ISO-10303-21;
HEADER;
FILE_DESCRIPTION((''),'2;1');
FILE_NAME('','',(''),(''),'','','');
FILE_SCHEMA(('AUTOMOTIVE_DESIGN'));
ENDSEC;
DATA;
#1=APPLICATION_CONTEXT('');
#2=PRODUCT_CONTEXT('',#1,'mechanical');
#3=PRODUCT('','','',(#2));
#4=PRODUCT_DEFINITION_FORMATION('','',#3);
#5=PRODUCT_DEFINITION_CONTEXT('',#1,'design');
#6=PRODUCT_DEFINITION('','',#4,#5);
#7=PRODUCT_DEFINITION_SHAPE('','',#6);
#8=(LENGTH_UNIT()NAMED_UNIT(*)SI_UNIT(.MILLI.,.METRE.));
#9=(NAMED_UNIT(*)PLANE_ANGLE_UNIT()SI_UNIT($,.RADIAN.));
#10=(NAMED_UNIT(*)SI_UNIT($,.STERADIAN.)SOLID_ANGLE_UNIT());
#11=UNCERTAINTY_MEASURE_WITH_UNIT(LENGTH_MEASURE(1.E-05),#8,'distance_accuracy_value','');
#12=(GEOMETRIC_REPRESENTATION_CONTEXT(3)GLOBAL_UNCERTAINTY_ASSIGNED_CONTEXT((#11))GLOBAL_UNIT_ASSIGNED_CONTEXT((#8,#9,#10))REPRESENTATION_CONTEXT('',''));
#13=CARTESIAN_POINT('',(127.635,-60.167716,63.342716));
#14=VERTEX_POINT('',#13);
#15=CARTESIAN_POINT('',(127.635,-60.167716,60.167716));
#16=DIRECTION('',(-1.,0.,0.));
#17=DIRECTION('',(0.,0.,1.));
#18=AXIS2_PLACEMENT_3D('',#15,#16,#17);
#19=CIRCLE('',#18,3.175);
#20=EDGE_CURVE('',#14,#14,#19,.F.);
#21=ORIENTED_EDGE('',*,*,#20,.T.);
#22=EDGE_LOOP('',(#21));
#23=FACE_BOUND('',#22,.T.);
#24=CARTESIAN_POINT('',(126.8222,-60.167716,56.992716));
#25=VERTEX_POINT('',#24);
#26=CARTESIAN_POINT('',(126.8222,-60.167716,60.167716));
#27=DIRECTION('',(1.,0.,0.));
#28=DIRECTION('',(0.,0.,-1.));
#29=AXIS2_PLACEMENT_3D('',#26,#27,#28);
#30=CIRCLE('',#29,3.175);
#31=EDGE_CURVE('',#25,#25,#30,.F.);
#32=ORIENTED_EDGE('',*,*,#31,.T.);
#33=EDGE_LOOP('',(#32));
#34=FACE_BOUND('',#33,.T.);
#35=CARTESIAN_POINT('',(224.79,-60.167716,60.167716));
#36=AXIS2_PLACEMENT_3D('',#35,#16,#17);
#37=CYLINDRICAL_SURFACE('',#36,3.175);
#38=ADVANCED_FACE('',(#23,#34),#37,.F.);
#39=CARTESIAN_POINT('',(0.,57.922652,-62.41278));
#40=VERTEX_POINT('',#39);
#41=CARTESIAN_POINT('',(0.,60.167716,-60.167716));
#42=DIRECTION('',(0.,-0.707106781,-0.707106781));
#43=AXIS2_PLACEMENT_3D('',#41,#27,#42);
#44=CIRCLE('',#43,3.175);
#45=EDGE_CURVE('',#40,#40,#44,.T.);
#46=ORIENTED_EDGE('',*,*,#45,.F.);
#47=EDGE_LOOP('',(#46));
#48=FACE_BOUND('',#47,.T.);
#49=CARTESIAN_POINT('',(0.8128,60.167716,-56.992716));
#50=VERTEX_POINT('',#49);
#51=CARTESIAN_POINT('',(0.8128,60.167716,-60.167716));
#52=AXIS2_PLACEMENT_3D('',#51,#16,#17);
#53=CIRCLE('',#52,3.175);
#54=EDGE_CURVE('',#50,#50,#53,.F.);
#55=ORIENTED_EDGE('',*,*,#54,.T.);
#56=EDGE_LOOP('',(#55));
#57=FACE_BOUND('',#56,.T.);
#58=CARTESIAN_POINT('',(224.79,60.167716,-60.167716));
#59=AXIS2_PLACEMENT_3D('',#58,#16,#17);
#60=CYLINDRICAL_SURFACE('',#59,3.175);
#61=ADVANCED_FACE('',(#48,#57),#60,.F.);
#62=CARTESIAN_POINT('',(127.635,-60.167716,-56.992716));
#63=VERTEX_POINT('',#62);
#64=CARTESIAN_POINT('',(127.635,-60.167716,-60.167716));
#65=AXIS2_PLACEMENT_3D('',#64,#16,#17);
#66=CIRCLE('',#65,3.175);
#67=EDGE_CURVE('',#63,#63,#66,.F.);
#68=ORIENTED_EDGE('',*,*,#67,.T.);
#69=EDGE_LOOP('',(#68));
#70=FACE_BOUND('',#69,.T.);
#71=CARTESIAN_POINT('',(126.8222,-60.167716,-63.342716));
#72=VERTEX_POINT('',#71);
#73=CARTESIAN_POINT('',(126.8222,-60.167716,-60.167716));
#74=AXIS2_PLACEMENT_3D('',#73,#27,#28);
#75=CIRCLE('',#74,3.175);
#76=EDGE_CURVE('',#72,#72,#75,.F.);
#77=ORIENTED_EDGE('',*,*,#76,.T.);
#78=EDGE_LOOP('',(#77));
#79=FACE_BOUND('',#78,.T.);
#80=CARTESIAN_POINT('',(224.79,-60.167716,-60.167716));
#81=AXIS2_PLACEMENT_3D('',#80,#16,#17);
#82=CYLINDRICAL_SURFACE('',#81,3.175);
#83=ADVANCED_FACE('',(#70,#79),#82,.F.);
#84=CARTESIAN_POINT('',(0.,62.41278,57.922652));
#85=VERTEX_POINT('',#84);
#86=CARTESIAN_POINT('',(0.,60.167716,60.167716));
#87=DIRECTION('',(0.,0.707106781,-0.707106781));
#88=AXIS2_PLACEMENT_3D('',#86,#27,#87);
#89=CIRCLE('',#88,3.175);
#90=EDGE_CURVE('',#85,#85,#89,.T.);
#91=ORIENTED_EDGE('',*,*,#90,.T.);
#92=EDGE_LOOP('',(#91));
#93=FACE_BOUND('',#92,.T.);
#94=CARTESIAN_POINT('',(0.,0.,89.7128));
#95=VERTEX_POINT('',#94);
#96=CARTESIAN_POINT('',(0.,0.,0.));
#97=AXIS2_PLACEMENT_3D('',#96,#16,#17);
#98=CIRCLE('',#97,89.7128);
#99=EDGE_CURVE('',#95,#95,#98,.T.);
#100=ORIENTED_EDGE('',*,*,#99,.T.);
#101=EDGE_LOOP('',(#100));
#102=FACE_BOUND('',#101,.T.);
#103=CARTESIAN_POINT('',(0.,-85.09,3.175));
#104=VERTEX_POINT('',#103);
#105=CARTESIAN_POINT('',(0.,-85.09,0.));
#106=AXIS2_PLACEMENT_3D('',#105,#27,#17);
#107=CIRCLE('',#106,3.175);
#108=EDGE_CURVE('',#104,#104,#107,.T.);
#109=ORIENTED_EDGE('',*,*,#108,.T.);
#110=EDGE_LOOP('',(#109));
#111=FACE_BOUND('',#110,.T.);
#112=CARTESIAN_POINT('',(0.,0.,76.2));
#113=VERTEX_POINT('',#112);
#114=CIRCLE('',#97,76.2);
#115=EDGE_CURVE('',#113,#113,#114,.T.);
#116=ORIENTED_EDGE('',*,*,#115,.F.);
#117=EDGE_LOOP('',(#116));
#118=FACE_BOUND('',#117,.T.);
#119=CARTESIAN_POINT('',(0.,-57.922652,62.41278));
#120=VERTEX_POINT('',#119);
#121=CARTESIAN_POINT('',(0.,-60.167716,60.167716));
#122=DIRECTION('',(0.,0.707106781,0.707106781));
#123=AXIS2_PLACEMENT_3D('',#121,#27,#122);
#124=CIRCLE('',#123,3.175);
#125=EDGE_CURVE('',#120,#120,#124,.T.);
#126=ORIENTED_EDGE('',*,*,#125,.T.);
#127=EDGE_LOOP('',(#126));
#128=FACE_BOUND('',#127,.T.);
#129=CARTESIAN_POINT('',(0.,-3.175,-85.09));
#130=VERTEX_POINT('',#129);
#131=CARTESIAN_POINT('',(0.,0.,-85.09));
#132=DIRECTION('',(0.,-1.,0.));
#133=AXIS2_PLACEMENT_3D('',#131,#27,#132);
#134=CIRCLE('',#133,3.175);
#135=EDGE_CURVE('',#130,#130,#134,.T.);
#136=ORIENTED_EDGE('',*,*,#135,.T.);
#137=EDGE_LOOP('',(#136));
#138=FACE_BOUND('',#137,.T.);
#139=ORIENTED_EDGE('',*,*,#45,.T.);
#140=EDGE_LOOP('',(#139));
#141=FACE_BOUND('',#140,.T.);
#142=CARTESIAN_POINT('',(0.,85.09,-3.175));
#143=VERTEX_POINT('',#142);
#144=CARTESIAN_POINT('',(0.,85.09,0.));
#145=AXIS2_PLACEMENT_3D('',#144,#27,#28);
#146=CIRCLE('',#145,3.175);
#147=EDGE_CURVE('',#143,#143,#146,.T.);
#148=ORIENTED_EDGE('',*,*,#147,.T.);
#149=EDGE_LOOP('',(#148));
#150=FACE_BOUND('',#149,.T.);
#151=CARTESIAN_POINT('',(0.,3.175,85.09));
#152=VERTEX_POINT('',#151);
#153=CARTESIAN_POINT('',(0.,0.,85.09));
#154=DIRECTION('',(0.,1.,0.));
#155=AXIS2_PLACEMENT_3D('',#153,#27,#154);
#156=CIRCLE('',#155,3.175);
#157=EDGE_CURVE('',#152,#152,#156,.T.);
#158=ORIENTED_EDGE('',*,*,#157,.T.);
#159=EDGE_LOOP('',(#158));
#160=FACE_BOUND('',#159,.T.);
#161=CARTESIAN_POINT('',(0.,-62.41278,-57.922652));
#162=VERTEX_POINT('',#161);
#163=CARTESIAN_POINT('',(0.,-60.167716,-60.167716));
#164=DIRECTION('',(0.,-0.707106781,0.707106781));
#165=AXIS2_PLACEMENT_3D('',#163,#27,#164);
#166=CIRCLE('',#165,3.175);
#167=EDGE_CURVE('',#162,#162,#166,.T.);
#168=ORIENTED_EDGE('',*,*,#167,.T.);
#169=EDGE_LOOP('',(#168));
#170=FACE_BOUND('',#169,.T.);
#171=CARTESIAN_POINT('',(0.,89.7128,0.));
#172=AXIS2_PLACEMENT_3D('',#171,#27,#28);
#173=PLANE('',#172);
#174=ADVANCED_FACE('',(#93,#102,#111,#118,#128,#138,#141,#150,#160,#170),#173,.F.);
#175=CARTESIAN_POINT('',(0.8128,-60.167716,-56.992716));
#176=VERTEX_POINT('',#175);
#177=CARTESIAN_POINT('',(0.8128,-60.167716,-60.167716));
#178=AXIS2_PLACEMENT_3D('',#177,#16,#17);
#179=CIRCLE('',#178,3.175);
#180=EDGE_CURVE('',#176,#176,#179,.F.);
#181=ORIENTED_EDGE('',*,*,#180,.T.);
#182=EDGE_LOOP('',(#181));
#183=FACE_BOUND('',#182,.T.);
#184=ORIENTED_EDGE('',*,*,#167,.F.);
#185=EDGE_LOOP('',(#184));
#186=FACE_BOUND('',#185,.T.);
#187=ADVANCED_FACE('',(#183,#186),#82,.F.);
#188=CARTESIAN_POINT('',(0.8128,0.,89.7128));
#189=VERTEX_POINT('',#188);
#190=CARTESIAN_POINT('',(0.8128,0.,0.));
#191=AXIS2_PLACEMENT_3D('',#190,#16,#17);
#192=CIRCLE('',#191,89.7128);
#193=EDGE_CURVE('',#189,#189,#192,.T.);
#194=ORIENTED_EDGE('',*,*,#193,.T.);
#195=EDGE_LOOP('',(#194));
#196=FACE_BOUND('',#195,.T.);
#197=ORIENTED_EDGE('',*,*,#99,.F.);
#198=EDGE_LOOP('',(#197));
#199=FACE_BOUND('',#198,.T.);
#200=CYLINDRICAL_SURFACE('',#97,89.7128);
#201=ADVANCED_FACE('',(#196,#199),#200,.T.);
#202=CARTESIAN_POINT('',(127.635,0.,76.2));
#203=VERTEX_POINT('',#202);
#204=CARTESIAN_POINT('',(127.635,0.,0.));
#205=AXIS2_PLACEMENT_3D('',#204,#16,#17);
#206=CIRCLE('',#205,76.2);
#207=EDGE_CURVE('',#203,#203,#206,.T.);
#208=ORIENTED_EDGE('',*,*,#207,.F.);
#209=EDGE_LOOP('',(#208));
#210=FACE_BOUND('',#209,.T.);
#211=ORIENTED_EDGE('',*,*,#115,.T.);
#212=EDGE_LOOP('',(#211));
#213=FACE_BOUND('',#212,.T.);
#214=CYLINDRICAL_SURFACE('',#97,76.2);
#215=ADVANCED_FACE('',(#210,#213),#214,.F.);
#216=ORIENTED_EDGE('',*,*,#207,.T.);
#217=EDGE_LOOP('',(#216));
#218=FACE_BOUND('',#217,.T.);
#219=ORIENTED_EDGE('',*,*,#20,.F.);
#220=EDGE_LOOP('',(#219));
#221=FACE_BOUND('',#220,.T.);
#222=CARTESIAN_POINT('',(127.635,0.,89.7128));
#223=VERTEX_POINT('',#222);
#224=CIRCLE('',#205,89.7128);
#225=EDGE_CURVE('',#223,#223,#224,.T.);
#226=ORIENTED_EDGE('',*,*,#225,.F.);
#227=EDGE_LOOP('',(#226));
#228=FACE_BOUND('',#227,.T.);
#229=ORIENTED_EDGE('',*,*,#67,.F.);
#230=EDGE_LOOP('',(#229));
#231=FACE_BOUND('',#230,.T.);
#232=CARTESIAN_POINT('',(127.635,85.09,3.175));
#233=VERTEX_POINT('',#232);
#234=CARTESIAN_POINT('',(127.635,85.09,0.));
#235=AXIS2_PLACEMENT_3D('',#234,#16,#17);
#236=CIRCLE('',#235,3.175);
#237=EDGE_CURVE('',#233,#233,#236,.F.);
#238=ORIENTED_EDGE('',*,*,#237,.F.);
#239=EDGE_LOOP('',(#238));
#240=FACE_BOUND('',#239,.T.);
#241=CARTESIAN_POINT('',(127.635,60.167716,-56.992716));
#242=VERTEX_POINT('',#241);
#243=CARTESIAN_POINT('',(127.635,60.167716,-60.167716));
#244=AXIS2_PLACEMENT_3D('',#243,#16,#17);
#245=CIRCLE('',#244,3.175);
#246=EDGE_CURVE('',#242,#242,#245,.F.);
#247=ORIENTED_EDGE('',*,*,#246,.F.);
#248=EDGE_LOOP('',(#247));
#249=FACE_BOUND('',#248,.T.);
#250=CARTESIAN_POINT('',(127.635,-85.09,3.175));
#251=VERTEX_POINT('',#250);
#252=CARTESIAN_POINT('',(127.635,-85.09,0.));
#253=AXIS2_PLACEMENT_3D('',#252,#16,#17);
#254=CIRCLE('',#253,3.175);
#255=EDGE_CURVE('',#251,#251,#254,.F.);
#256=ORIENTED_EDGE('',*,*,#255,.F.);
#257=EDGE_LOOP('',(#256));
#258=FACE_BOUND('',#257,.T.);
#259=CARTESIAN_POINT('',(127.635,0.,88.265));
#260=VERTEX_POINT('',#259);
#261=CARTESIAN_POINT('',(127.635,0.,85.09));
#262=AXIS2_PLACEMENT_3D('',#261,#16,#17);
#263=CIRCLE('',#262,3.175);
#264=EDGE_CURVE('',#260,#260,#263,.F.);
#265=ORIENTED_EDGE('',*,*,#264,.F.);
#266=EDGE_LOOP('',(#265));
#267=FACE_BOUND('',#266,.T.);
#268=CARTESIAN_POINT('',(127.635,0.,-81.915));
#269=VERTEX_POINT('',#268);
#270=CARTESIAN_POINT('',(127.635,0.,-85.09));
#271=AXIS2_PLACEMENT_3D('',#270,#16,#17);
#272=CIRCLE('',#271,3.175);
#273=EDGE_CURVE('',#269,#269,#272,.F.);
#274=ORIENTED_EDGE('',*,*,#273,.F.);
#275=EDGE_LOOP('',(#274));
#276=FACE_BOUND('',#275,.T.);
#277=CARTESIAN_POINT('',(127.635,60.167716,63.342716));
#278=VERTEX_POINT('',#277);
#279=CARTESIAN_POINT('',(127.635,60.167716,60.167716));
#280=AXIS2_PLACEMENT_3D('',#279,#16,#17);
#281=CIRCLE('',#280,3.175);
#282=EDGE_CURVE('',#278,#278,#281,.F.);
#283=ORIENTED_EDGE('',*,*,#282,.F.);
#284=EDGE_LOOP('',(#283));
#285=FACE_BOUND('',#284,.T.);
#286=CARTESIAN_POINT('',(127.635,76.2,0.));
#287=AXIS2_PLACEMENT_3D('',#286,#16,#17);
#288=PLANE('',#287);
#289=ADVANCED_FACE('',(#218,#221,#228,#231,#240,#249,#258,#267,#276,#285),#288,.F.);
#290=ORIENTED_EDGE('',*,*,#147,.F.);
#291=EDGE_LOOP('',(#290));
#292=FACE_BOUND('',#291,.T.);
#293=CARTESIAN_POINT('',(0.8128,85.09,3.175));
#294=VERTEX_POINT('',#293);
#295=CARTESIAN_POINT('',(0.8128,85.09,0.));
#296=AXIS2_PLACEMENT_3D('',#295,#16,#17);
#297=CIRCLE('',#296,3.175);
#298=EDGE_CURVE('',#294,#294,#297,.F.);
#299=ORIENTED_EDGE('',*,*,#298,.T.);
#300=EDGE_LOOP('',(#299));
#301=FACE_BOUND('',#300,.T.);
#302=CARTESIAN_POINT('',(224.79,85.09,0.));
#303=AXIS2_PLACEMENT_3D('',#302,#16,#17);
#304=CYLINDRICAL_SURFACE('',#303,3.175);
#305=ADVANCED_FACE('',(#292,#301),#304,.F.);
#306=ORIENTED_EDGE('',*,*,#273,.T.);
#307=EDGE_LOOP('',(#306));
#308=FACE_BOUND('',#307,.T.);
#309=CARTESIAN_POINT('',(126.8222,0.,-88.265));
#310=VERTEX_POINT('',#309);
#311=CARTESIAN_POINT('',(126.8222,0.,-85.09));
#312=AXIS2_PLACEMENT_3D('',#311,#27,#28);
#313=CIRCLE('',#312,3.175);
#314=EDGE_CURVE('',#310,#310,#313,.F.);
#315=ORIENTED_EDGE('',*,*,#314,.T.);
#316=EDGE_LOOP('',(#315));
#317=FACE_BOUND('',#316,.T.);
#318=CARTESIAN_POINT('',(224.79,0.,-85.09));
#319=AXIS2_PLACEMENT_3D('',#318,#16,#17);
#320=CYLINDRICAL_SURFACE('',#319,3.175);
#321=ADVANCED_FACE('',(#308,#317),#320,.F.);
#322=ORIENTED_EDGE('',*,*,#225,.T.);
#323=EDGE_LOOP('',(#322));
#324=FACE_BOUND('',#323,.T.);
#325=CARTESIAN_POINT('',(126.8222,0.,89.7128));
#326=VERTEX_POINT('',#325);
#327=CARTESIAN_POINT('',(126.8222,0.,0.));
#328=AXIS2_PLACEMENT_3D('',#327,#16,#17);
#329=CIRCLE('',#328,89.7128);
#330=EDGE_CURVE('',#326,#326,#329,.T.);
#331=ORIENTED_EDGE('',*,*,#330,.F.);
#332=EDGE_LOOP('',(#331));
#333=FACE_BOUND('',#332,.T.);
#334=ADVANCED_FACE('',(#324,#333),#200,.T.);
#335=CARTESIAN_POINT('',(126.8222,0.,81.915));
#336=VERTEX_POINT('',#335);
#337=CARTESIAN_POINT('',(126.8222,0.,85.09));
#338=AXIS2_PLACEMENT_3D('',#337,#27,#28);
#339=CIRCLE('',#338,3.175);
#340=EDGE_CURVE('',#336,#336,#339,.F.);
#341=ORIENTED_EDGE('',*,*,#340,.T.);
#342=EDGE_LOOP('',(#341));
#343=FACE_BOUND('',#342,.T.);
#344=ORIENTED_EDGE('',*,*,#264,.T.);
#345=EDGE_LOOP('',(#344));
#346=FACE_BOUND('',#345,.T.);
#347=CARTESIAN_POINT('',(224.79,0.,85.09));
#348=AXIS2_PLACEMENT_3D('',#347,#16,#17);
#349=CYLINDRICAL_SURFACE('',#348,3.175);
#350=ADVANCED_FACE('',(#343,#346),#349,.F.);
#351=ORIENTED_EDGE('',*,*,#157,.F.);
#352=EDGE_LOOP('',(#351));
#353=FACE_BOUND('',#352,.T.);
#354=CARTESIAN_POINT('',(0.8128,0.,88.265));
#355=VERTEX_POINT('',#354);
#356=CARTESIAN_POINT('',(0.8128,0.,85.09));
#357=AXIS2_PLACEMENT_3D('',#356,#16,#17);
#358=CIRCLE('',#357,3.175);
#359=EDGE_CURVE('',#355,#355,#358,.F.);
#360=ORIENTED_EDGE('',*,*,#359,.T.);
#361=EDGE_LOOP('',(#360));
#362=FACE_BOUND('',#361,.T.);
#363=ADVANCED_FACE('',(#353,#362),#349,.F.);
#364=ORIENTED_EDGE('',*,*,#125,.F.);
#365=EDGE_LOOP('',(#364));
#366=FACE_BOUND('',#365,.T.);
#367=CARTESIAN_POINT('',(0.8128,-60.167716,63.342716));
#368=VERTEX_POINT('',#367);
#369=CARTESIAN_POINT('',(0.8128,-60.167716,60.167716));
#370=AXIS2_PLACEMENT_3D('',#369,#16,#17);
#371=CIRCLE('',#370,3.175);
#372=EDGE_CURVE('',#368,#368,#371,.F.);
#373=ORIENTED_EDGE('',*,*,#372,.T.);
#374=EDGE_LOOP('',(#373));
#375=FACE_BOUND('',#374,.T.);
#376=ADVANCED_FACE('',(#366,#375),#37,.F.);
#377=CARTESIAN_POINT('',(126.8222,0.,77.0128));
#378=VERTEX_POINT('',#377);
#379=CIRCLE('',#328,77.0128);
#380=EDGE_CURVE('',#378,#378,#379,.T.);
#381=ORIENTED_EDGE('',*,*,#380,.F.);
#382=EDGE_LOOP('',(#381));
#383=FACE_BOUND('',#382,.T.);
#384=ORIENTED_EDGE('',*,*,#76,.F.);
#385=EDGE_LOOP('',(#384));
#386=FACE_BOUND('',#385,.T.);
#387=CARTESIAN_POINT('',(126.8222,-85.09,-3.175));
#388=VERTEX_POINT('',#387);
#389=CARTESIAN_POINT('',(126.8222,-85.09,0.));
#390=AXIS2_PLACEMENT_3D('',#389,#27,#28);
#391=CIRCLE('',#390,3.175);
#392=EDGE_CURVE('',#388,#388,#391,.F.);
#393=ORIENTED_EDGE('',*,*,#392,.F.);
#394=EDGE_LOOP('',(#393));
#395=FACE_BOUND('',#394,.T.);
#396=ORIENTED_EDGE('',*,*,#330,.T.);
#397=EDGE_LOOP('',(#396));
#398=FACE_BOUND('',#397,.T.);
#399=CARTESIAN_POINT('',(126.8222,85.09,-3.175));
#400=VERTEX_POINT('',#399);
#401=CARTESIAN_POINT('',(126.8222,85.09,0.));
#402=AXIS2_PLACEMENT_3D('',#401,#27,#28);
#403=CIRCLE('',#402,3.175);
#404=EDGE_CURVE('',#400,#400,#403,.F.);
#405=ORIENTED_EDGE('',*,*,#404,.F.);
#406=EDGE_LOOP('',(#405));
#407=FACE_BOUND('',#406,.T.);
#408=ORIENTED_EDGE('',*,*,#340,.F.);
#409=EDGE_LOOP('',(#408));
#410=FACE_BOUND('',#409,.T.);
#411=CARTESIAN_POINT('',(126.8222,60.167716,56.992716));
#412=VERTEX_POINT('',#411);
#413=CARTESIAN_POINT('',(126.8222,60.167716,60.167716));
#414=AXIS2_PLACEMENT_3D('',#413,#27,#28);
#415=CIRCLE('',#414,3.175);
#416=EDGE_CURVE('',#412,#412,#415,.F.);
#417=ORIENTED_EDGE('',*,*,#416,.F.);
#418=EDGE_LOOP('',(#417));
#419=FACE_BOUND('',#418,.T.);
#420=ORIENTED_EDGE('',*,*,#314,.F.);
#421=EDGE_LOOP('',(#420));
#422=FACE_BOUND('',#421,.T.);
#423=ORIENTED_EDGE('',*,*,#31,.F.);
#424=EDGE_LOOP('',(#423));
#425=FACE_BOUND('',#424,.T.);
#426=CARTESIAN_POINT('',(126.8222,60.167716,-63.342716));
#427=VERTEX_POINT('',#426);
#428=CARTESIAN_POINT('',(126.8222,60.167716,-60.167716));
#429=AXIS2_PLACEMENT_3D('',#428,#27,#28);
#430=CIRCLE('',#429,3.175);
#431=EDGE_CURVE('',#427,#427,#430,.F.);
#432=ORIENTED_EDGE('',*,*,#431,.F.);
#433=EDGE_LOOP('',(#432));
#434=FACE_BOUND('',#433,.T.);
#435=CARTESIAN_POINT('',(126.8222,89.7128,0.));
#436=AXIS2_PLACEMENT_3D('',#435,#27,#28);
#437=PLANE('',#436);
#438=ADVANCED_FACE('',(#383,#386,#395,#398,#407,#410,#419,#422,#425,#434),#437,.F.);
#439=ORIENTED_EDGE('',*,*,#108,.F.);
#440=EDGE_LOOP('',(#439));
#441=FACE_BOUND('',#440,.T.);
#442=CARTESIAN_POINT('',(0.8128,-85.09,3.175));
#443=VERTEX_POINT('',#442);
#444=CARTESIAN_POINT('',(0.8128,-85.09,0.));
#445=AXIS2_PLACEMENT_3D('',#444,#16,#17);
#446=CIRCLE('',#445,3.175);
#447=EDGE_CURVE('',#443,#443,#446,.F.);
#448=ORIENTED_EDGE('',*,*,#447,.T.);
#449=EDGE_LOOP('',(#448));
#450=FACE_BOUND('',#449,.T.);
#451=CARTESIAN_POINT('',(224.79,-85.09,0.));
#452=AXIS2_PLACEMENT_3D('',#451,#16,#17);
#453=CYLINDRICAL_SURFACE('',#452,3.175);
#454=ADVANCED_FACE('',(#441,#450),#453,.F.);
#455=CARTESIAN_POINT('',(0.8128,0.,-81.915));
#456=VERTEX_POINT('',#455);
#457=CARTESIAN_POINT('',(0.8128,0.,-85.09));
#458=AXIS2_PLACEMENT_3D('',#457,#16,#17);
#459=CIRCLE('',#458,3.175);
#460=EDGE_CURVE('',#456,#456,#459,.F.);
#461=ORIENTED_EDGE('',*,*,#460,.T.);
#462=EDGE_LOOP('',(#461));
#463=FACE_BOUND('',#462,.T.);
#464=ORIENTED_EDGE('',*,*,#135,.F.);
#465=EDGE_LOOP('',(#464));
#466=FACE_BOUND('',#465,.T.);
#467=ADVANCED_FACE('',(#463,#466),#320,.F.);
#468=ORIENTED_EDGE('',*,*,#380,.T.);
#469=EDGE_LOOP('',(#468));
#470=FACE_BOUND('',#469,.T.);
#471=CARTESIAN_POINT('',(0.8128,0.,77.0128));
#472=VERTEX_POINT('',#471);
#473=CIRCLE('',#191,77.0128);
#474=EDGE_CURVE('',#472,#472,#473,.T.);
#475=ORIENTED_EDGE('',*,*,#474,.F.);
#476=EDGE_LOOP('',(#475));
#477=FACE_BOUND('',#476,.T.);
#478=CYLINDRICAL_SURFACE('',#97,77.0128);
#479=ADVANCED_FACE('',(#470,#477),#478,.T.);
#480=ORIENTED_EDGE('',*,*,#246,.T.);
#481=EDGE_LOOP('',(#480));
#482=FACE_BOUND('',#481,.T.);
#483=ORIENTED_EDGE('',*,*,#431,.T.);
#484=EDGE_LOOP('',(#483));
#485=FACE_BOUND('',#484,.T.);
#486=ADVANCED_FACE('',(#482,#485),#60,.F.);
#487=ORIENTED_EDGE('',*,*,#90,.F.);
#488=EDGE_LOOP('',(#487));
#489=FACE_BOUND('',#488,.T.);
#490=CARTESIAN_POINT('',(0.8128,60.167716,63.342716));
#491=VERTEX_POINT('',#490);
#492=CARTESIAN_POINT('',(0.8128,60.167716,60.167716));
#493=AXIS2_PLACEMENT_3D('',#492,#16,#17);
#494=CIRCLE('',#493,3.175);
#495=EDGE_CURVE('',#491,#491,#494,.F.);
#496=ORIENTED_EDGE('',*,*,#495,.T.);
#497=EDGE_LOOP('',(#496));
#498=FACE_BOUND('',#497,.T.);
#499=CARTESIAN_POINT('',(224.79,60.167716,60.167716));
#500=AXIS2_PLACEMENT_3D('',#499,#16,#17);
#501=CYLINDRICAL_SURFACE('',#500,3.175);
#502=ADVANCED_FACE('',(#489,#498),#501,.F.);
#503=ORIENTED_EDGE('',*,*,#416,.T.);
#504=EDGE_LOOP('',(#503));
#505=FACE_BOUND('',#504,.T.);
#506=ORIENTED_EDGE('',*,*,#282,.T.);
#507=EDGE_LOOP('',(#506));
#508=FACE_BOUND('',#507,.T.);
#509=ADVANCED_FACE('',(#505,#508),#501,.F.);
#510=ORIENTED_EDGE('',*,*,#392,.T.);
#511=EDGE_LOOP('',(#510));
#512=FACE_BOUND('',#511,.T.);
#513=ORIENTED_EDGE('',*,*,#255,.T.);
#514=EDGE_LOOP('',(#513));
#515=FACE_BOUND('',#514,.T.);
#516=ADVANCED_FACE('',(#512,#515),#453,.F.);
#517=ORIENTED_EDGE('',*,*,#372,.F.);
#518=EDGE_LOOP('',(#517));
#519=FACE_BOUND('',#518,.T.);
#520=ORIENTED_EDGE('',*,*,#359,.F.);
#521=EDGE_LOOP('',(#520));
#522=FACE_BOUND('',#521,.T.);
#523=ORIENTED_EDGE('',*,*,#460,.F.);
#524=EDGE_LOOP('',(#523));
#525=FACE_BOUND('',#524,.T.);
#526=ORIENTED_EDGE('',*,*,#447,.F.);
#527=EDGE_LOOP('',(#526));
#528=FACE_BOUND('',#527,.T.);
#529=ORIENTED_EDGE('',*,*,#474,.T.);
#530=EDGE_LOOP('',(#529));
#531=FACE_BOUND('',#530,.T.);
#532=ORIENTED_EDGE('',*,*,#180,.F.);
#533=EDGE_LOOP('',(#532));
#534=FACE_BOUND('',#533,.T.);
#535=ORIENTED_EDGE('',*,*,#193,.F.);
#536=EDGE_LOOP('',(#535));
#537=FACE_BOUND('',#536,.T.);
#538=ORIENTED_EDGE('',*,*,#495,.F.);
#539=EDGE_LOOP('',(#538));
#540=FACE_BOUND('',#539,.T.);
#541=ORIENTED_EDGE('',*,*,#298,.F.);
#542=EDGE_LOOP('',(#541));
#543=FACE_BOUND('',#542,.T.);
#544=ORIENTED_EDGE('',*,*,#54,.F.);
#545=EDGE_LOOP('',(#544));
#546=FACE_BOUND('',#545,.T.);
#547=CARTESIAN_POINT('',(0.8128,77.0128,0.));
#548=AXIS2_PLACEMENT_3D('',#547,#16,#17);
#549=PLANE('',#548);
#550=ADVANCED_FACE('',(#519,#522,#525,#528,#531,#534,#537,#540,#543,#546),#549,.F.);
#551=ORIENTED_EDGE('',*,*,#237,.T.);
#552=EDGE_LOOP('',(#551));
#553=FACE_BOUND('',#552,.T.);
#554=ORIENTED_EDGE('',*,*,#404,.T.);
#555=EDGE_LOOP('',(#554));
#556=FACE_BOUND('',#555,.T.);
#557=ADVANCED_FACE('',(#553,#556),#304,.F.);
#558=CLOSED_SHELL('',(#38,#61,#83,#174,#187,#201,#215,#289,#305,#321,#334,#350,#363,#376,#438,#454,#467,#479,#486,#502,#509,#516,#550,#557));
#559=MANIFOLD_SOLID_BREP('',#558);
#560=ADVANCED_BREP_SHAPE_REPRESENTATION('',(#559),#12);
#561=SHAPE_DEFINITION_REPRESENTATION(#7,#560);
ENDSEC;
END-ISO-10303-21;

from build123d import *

# Parameters (mm, degrees)
SKETCH2_R          = 3.175
CUT_EXTRUDE1_DEPTH = 224.79
CIRPATTERN1_COUNT  = 8


with BuildPart() as part:
    # Sketch1 → Revolve1 (revolve)
    with BuildSketch(Plane.XY):
        Polygon((0, 76.2), (127.635, 76.2), (127.635, 89.7128), (126.8222, 89.7128), (126.8222, 77.0128), (0.8128, 77.0128), (0.8128, 89.7128), (0, 89.7128), align=None)
    revolve(axis=Axis((0, 0, 0), (1, 0, 0)))

    # Sketch2 → Cut-Extrude1 (cut)
    with BuildSketch(Plane(origin=(0, 0, 0), x_dir=(0, 0, -1), z_dir=(1, 0, 0))):
        with Locations((0, 85.09)):
            Circle(SKETCH2_R)
    cut_extrude1 = extrude(amount=CUT_EXTRUDE1_DEPTH, mode=Mode.SUBTRACT)

    # CirPattern1: Cut-Extrude1 ×8 about axis
    cirpattern1_axis = Axis((0, 0, 0), (1, 0, 0))
    for i in range(1, CIRPATTERN1_COUNT):
        add(cut_extrude1.rotate(cirpattern1_axis, i * 360 / CIRPATTERN1_COUNT), mode=Mode.SUBTRACT)


solid = part.part
